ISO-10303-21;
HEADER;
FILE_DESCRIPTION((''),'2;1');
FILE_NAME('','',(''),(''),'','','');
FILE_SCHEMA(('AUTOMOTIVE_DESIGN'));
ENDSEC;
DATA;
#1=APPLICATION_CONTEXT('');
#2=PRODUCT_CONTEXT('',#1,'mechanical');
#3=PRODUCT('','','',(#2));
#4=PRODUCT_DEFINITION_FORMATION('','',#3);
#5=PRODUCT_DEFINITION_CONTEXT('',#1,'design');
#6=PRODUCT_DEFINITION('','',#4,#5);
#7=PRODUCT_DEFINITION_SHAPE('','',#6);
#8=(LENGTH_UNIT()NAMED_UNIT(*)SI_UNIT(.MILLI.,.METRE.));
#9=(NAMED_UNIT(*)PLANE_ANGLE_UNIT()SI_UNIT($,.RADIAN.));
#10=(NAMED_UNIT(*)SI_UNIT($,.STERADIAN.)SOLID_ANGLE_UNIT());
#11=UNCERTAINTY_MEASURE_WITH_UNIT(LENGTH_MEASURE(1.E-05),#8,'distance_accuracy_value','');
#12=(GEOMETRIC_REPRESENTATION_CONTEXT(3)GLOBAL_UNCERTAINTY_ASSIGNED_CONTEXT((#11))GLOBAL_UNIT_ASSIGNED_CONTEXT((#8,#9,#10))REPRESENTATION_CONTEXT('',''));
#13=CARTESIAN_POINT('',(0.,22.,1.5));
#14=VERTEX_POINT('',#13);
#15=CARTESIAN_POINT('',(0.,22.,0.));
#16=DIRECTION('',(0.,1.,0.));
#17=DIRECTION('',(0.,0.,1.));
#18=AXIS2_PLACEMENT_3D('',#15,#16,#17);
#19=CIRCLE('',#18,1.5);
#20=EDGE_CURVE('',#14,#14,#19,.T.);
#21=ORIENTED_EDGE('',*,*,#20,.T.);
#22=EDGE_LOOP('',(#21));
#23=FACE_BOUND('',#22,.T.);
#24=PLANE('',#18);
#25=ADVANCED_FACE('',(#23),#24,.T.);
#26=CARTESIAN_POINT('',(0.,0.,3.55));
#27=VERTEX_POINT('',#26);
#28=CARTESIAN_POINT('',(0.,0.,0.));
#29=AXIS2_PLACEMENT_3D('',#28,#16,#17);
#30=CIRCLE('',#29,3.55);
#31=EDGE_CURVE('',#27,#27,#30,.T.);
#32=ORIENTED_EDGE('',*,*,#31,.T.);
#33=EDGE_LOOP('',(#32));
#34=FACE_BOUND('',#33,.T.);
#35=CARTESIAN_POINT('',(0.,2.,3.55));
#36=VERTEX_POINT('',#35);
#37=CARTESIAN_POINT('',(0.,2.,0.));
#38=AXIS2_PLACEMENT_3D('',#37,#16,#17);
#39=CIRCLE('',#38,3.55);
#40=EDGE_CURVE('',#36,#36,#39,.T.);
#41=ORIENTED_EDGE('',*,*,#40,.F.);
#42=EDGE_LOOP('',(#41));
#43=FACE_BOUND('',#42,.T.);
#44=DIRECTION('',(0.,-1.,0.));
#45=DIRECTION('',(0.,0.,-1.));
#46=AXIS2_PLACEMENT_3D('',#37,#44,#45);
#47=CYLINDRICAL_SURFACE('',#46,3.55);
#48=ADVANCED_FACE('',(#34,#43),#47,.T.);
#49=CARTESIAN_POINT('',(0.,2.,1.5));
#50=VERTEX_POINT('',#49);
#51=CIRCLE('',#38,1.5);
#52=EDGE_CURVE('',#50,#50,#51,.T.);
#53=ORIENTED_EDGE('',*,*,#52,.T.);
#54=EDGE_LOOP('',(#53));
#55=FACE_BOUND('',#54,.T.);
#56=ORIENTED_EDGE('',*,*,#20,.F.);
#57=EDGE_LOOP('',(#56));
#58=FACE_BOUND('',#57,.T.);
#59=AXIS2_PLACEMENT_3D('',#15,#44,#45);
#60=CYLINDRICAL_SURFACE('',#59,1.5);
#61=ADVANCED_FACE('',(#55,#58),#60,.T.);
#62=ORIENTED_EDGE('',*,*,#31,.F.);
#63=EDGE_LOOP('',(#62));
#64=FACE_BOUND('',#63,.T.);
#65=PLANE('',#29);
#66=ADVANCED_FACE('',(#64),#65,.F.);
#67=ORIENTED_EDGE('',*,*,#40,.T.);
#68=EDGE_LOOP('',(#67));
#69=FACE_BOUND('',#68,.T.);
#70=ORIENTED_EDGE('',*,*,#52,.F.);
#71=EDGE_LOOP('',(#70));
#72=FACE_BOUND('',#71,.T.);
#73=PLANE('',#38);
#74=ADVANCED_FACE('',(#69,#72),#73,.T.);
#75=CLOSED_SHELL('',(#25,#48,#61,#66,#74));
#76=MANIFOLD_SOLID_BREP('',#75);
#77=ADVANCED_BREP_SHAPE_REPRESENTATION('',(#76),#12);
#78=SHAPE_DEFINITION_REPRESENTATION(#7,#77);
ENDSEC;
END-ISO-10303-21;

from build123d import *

# Parameters (mm, degrees)
SKETCH_1_R      = 3.55
EXTRUDE_1_DEPTH = 2
SKETCH_2_R      = 1.5
EXTRUDE_2_DEPTH = 20


with BuildPart() as part:
    # 草图1 → 凸台-拉伸1 (new body)
    with BuildSketch(Plane(origin=(0, 0, 0), x_dir=(1, 0, 0), z_dir=(0, 1, 0))):
        Circle(SKETCH_1_R)
    extrude(amount=EXTRUDE_1_DEPTH)

    # 草图2 → 凸台-拉伸2 (add)
    with BuildSketch(Plane(origin=(0, 2, 0), x_dir=(1, 0, 0), z_dir=(0, 1, 0))):
        Circle(SKETCH_2_R)
    extrude(amount=EXTRUDE_2_DEPTH)


solid = part.part
